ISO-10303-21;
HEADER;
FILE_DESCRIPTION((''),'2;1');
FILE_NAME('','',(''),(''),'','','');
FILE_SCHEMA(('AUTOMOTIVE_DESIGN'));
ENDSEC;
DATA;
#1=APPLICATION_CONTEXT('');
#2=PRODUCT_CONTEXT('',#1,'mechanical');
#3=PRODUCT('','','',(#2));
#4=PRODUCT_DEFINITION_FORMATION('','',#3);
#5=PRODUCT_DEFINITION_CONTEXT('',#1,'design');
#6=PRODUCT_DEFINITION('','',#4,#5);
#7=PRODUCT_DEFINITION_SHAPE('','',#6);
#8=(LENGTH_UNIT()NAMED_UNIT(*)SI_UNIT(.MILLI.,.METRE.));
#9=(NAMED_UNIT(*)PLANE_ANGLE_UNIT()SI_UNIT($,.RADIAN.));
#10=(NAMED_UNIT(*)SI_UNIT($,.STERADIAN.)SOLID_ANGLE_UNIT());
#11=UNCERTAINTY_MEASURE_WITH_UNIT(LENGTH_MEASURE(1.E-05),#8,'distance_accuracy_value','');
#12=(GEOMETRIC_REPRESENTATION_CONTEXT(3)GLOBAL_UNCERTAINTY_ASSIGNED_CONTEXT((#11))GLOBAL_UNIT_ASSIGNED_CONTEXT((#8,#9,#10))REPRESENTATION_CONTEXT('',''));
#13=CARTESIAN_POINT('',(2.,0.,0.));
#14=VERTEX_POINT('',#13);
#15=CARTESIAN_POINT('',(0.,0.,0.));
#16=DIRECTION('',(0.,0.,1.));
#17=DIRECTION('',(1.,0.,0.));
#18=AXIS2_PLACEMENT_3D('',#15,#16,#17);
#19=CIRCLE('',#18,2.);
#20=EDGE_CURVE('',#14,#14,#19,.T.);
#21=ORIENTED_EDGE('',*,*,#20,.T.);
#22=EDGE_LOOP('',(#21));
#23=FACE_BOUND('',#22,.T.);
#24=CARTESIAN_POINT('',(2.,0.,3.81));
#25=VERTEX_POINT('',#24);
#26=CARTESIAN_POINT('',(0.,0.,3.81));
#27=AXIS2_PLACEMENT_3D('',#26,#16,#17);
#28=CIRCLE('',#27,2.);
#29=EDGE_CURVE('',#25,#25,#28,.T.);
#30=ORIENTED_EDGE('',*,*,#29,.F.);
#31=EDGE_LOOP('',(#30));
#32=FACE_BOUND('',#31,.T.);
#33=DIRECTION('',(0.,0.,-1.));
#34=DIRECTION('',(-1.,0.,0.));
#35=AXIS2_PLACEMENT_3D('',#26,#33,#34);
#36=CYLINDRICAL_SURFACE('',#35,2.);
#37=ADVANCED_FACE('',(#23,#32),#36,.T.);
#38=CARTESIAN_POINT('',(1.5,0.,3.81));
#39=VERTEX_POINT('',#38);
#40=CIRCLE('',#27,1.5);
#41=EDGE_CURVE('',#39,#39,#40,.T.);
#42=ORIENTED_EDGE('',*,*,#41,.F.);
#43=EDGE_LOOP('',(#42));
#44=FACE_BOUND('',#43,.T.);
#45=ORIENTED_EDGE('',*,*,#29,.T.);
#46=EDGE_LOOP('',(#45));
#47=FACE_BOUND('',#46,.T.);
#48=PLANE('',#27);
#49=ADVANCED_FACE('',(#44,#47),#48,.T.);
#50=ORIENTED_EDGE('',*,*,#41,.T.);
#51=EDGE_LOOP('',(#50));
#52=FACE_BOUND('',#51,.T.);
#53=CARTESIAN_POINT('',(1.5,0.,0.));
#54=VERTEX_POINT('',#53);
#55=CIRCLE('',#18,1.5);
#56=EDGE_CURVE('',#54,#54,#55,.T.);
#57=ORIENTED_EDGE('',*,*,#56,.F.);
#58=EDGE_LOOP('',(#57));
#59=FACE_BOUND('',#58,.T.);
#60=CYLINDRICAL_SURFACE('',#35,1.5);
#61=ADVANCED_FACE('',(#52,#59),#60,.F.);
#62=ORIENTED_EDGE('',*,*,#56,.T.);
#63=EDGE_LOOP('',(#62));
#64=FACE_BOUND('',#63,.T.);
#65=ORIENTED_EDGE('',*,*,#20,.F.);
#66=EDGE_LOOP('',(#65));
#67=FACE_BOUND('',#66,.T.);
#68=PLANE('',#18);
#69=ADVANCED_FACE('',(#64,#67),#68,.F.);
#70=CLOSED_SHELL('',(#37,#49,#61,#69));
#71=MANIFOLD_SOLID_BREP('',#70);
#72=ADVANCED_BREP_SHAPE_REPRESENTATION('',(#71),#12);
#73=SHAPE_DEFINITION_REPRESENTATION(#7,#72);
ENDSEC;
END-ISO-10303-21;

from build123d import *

# Parameters (mm, degrees)
SKETCH1_R      = 2
SKETCH1_R_2    = 1.5
EXTRUDE1_DEPTH = 3.81


with BuildPart() as part:
    # Sketch1 → Extrude1 (new body)
    with BuildSketch(Plane.XY):
        Circle(SKETCH1_R)
        Circle(SKETCH1_R_2, mode=Mode.SUBTRACT)
    extrude(amount=EXTRUDE1_DEPTH)


solid = part.part
